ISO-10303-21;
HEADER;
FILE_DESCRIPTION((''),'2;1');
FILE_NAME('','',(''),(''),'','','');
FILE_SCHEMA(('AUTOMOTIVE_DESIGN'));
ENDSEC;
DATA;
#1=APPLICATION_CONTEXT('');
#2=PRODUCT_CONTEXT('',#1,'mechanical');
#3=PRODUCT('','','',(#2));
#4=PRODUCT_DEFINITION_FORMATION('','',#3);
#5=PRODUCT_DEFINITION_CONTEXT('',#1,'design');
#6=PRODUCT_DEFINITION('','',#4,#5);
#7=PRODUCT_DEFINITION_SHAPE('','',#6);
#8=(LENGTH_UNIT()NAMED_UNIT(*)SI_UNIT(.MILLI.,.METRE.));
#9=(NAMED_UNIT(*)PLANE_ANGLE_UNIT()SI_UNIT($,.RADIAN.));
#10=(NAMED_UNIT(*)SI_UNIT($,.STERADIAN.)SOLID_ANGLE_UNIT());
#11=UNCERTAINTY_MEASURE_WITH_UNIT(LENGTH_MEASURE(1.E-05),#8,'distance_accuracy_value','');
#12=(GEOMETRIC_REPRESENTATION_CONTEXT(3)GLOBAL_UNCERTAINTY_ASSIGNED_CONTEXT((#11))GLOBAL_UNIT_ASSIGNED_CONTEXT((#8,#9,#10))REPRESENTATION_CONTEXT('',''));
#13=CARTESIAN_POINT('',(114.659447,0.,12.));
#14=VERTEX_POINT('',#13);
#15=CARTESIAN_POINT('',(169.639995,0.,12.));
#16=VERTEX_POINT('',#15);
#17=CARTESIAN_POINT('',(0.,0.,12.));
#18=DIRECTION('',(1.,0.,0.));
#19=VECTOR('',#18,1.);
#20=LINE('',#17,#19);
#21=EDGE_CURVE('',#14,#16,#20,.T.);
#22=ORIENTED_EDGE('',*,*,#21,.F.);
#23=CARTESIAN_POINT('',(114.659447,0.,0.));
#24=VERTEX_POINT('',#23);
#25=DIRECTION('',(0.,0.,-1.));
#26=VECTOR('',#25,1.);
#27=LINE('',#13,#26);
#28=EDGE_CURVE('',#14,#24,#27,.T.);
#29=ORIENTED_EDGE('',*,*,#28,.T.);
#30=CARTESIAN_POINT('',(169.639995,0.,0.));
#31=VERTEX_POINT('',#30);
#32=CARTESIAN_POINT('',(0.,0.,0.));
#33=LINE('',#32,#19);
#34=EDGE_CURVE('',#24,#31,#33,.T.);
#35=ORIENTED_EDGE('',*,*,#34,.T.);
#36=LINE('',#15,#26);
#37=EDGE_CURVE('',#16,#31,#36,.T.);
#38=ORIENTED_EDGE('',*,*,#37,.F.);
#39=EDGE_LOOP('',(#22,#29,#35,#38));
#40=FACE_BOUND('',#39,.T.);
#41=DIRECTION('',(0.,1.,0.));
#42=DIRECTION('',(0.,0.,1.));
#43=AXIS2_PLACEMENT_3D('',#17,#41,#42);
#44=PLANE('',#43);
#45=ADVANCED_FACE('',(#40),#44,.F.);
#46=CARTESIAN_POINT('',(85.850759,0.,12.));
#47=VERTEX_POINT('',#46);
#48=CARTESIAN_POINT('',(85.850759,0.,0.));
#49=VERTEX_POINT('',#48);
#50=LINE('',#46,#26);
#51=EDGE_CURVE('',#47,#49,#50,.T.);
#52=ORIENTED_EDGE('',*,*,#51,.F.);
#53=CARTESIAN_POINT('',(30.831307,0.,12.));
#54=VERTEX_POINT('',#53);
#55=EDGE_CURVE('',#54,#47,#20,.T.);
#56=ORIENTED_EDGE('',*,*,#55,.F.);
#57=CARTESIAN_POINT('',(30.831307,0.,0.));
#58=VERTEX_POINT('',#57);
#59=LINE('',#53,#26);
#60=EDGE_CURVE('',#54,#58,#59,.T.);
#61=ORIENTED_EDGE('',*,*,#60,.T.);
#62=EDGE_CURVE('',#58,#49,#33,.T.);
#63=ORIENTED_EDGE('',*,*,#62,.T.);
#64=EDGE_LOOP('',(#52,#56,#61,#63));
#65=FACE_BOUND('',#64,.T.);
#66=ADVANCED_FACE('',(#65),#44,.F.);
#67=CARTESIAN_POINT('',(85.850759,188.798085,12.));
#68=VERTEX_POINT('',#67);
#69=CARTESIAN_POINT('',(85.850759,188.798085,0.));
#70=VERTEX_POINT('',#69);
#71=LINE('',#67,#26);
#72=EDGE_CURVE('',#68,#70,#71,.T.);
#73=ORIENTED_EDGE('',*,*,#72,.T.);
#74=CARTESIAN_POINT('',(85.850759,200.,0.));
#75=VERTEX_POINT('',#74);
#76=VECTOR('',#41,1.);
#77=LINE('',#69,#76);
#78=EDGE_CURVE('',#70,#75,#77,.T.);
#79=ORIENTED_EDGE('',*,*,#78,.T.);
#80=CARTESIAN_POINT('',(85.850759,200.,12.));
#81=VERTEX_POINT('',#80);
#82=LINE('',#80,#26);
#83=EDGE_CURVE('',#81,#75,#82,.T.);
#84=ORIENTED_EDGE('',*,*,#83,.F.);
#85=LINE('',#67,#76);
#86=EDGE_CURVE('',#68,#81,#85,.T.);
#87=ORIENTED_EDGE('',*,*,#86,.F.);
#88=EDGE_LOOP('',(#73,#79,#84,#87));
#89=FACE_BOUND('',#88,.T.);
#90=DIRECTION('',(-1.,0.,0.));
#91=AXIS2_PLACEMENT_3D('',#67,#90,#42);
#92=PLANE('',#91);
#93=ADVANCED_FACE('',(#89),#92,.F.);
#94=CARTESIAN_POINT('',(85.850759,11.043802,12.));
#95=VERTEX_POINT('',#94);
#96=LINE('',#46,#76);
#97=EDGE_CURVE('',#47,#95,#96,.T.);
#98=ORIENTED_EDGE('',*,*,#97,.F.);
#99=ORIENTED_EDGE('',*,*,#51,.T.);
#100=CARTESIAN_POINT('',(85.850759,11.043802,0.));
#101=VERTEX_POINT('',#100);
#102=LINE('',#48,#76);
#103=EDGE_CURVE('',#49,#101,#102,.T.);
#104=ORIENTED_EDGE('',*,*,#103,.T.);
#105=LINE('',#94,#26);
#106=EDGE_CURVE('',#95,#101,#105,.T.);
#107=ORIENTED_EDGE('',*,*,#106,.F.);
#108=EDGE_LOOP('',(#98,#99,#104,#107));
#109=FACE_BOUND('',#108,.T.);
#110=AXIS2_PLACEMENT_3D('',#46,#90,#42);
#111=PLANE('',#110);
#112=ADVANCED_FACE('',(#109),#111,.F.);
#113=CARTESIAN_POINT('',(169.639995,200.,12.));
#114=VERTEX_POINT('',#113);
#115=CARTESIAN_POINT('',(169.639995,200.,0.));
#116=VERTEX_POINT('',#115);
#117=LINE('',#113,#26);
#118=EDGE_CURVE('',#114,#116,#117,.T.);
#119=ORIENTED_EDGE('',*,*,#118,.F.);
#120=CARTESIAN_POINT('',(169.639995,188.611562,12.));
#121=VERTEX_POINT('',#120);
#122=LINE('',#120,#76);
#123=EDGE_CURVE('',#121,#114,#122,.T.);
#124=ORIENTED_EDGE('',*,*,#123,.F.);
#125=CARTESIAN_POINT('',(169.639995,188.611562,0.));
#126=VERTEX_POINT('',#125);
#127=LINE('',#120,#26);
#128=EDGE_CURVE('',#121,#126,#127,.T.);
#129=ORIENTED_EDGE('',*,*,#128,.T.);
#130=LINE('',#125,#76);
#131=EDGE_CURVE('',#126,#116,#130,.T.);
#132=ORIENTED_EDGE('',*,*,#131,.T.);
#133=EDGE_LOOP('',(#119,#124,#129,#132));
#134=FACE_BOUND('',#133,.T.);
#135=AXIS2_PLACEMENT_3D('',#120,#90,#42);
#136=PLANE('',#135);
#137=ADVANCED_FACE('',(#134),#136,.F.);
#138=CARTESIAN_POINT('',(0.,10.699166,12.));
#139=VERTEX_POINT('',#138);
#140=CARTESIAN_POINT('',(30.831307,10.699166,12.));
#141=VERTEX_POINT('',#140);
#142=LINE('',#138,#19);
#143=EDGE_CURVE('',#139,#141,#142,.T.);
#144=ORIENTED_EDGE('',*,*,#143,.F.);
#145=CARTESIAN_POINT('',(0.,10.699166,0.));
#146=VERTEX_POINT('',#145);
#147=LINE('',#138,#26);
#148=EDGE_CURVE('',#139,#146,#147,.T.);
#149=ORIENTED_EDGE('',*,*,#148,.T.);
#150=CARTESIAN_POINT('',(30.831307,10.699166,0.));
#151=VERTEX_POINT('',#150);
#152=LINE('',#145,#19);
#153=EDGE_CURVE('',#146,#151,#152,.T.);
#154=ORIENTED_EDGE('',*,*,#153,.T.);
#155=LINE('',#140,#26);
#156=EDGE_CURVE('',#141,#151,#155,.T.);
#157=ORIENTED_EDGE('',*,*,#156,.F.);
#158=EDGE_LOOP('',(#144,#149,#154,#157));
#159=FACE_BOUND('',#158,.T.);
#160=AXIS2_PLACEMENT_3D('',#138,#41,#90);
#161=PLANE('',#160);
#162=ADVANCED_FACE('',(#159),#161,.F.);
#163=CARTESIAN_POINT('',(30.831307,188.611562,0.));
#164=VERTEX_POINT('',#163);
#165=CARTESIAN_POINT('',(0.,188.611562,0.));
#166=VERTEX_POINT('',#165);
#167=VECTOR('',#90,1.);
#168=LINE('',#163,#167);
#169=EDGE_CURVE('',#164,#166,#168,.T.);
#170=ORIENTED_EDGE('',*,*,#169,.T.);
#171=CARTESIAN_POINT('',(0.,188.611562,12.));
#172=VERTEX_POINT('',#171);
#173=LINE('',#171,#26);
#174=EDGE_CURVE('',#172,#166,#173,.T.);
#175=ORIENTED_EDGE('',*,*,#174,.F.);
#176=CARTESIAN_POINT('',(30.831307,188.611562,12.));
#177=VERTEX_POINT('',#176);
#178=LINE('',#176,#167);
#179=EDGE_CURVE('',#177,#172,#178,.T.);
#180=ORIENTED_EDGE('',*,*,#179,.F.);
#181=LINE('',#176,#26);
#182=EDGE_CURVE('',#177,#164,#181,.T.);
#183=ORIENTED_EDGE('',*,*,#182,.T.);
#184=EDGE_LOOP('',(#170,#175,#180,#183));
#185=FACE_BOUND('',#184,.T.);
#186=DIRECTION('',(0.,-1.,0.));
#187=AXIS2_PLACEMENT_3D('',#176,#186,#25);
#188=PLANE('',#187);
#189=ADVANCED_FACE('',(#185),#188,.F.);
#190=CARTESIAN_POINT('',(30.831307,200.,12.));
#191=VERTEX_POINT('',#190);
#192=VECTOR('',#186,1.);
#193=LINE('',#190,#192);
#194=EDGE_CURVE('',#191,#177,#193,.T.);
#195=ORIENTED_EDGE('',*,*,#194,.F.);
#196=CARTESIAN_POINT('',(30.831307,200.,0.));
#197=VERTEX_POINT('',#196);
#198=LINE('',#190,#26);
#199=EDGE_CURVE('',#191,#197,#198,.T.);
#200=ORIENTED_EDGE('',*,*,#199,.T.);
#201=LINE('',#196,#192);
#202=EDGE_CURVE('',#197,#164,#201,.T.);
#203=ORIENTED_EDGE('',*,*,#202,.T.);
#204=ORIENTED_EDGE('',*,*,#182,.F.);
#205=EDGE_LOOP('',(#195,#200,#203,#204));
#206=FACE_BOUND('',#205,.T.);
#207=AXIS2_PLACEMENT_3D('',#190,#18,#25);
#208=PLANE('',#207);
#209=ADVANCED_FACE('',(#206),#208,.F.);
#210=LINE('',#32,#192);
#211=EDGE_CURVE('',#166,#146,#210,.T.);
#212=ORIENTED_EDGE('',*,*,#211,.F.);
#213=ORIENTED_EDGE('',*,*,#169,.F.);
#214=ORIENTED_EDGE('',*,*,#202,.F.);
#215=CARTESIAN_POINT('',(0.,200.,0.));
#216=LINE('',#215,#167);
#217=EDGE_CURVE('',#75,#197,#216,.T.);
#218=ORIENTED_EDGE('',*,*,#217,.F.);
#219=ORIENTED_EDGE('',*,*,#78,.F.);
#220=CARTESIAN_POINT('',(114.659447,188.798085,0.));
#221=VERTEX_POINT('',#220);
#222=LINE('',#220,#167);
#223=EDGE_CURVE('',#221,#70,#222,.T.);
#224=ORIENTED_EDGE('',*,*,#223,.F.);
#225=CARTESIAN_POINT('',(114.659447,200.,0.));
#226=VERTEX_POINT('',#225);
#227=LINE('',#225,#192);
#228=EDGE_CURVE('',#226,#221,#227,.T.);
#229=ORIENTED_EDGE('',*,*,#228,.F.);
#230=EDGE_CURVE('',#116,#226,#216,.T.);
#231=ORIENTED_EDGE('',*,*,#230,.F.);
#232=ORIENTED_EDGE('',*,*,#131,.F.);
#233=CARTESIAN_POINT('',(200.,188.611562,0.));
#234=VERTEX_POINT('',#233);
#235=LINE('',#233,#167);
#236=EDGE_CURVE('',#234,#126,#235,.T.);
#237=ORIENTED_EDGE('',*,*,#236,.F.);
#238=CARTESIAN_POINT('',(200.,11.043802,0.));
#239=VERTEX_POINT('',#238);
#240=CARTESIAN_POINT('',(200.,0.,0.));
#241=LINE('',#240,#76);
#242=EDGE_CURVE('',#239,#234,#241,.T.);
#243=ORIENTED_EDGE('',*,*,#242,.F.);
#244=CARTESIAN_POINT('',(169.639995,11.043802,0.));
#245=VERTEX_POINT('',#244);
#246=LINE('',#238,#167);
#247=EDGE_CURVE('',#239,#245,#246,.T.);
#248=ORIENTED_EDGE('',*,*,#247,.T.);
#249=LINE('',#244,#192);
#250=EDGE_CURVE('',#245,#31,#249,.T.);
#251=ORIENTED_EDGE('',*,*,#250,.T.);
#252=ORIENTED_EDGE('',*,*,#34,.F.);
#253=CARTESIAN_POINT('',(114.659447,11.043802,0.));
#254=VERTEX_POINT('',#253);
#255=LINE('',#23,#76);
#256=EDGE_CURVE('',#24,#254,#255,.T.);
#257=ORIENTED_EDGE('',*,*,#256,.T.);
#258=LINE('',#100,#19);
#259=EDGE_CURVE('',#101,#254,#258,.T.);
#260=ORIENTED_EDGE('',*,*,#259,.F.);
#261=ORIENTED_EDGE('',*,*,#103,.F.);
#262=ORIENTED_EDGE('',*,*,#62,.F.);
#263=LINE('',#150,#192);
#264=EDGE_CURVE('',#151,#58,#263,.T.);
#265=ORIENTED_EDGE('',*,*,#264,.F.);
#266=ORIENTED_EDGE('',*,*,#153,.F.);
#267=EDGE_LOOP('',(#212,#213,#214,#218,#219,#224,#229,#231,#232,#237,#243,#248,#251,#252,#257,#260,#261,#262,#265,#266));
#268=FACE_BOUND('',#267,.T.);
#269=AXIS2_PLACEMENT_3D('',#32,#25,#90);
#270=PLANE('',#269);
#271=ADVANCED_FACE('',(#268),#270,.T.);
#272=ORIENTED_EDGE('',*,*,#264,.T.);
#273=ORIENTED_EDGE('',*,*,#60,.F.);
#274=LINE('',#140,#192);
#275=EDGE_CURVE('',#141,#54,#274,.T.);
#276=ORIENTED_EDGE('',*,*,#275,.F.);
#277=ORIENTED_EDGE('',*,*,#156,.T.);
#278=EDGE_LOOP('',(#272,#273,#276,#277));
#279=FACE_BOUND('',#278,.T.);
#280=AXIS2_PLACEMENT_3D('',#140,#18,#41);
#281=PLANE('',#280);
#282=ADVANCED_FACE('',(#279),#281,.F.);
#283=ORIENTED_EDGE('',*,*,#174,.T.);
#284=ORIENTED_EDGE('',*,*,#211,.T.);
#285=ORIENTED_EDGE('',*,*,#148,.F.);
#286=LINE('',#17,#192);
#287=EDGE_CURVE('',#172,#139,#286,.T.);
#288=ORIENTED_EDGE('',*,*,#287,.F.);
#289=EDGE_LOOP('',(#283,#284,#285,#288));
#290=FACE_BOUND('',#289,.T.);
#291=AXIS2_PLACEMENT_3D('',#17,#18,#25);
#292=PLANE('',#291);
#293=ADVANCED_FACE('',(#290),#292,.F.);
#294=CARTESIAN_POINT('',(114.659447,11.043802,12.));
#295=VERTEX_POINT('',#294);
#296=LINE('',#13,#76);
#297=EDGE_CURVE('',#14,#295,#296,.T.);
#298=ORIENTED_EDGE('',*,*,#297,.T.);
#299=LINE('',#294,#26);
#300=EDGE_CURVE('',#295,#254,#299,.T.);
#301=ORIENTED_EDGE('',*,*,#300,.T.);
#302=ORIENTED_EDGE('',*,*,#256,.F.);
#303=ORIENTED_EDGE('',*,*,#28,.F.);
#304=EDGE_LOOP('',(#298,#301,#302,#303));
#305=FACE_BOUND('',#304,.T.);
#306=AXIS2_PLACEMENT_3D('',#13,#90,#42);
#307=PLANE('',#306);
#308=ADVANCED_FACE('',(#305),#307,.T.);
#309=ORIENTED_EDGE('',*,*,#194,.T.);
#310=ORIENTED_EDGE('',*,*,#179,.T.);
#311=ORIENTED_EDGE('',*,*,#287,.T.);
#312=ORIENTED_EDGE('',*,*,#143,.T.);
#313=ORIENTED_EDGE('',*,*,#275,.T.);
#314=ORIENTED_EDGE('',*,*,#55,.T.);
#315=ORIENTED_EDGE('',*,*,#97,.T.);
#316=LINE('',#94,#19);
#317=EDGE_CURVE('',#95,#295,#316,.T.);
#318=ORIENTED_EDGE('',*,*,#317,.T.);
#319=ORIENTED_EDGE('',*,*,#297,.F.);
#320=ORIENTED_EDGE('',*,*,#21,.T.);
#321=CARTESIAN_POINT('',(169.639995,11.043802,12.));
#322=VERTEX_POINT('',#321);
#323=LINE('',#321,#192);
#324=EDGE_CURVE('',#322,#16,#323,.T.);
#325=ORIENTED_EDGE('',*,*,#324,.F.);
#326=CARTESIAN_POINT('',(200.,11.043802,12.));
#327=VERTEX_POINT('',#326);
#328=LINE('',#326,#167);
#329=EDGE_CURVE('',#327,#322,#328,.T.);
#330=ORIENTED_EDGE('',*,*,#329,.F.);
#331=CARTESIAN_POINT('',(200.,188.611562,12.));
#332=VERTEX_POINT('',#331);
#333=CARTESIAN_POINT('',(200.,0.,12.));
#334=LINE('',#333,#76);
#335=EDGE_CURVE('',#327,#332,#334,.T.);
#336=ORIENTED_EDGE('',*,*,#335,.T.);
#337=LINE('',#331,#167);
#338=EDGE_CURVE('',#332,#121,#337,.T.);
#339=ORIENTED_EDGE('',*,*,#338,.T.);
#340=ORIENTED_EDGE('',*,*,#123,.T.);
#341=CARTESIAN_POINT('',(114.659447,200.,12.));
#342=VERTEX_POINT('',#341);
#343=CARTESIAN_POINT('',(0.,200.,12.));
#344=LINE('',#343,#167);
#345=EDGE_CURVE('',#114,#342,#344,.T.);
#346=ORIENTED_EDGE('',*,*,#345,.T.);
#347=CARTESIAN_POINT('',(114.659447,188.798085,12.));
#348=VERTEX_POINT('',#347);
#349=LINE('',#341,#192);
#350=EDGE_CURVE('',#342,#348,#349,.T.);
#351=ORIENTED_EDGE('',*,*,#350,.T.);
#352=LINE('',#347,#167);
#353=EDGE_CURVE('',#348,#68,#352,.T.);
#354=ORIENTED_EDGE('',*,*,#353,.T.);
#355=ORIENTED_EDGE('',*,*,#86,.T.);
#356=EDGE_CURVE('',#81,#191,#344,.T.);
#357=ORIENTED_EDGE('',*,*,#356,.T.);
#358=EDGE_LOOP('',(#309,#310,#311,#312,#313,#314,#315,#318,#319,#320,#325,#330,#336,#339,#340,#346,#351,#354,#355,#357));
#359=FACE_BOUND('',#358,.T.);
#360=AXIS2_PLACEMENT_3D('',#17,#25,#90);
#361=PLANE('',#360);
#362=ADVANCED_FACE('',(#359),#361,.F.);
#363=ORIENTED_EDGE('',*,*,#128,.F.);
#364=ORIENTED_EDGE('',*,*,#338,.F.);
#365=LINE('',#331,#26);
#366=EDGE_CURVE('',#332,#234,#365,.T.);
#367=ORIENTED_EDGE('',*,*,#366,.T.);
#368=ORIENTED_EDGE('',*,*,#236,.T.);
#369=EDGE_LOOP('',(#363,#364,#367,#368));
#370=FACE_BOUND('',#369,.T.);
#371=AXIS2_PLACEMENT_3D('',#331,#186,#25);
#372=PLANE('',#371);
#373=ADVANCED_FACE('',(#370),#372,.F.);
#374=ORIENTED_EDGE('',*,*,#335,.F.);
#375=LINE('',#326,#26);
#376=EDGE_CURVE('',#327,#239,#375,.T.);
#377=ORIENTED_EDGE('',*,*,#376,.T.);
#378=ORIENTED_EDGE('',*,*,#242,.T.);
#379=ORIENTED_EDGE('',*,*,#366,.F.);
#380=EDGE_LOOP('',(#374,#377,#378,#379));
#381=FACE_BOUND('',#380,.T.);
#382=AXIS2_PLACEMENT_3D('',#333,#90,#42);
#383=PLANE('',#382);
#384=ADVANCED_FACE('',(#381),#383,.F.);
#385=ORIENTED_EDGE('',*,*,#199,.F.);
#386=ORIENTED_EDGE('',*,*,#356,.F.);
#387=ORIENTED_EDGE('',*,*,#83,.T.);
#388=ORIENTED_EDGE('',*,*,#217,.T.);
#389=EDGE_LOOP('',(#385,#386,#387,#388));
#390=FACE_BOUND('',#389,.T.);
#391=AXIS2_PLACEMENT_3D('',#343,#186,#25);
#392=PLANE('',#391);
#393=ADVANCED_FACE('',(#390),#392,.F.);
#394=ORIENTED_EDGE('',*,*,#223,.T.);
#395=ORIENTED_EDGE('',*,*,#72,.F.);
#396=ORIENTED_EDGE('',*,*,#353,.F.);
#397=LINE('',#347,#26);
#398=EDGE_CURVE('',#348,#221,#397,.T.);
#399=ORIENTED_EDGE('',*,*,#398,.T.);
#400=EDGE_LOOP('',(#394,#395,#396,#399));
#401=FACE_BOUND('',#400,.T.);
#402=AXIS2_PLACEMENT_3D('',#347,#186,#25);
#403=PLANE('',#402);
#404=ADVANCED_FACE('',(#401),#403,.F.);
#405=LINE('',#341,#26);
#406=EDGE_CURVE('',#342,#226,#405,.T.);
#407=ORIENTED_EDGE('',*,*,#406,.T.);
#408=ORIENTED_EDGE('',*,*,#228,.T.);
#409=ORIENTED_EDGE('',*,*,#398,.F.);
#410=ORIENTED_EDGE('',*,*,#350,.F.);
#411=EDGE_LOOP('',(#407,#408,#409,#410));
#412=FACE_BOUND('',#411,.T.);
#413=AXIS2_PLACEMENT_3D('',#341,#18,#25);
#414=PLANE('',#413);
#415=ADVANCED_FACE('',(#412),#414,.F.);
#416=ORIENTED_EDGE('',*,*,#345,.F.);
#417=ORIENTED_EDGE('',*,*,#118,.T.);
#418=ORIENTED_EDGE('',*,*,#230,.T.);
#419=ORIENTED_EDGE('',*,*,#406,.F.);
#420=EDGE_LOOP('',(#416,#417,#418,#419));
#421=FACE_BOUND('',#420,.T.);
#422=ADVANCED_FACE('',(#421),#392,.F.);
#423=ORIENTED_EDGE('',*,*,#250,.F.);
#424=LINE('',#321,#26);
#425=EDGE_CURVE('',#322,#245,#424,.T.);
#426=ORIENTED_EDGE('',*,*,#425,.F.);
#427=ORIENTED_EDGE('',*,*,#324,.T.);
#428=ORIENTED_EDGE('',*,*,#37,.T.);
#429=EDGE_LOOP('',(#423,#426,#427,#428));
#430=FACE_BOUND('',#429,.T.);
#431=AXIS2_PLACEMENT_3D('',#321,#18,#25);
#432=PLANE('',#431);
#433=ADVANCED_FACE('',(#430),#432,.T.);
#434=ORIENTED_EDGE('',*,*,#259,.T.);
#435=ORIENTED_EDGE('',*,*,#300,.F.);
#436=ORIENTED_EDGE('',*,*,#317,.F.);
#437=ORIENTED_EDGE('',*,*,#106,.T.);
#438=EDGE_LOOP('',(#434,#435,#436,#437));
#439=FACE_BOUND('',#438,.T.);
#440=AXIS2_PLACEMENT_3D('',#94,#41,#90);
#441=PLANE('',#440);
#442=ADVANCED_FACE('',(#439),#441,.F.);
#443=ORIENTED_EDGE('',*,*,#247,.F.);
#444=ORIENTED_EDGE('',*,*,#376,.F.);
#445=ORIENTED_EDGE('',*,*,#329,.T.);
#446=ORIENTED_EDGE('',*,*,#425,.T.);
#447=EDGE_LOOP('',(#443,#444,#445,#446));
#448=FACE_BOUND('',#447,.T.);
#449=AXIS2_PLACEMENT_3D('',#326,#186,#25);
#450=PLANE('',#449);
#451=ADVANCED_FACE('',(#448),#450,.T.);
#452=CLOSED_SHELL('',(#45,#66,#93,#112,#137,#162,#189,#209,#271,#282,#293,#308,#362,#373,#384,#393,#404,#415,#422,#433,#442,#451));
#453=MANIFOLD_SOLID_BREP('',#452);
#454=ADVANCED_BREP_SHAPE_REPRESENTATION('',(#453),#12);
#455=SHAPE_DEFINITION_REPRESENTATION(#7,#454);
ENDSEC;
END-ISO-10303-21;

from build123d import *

# Parameters (mm, degrees)
SKETCH2_W           = 200
SKETCH2_H           = 200
BOSS_EXTRUDE1_DEPTH = 12
SKETCH3_W           = 30.360004712
SKETCH3_H           = 11.388437722
SKETCH3_W_2         = 30.831307096
SKETCH3_H_2         = 11.388437723
SKETCH3_H_3         = 11.04380164
SKETCH3_W_3         = 28.808688193
SKETCH3_H_4         = 11.201915466
SKETCH3_H_5         = 10.699165557
CUT_EXTRUDE4_DEPTH  = 13


with BuildPart() as part:
    # Sketch2 → Boss-Extrude1 (new body)
    with BuildSketch(Plane.XY):
        with Locations((100, 100)):
            Rectangle(SKETCH2_W, SKETCH2_H)
    extrude(amount=BOSS_EXTRUDE1_DEPTH)

    # Sketch3 → Cut-Extrude4 (cut, through all)
    with BuildSketch(Plane(origin=(0, 0, 0), x_dir=(-1, 0, 0), z_dir=(0, 0, -1))):
        with Locations((-184.819997644, 194.305781139)):
            Rectangle(SKETCH3_W, SKETCH3_H)
        with Locations((-15.415653548, 194.305781139)):
            Rectangle(SKETCH3_W_2, SKETCH3_H_2)
        with Locations((-184.819997644, 5.52190082)):
            Rectangle(SKETCH3_W, SKETCH3_H_3)
        with Locations((-100.2551028, 194.399042267)):
            Rectangle(SKETCH3_W_3, SKETCH3_H_4)
        with Locations((-15.415653548, 5.349582779)):
            Rectangle(SKETCH3_W_2, SKETCH3_H_5)
        with Locations((-100.2551028, 5.52190082)):
            Rectangle(SKETCH3_W_3, SKETCH3_H_3)
    extrude(amount=-CUT_EXTRUDE4_DEPTH, mode=Mode.SUBTRACT)


solid = part.part
